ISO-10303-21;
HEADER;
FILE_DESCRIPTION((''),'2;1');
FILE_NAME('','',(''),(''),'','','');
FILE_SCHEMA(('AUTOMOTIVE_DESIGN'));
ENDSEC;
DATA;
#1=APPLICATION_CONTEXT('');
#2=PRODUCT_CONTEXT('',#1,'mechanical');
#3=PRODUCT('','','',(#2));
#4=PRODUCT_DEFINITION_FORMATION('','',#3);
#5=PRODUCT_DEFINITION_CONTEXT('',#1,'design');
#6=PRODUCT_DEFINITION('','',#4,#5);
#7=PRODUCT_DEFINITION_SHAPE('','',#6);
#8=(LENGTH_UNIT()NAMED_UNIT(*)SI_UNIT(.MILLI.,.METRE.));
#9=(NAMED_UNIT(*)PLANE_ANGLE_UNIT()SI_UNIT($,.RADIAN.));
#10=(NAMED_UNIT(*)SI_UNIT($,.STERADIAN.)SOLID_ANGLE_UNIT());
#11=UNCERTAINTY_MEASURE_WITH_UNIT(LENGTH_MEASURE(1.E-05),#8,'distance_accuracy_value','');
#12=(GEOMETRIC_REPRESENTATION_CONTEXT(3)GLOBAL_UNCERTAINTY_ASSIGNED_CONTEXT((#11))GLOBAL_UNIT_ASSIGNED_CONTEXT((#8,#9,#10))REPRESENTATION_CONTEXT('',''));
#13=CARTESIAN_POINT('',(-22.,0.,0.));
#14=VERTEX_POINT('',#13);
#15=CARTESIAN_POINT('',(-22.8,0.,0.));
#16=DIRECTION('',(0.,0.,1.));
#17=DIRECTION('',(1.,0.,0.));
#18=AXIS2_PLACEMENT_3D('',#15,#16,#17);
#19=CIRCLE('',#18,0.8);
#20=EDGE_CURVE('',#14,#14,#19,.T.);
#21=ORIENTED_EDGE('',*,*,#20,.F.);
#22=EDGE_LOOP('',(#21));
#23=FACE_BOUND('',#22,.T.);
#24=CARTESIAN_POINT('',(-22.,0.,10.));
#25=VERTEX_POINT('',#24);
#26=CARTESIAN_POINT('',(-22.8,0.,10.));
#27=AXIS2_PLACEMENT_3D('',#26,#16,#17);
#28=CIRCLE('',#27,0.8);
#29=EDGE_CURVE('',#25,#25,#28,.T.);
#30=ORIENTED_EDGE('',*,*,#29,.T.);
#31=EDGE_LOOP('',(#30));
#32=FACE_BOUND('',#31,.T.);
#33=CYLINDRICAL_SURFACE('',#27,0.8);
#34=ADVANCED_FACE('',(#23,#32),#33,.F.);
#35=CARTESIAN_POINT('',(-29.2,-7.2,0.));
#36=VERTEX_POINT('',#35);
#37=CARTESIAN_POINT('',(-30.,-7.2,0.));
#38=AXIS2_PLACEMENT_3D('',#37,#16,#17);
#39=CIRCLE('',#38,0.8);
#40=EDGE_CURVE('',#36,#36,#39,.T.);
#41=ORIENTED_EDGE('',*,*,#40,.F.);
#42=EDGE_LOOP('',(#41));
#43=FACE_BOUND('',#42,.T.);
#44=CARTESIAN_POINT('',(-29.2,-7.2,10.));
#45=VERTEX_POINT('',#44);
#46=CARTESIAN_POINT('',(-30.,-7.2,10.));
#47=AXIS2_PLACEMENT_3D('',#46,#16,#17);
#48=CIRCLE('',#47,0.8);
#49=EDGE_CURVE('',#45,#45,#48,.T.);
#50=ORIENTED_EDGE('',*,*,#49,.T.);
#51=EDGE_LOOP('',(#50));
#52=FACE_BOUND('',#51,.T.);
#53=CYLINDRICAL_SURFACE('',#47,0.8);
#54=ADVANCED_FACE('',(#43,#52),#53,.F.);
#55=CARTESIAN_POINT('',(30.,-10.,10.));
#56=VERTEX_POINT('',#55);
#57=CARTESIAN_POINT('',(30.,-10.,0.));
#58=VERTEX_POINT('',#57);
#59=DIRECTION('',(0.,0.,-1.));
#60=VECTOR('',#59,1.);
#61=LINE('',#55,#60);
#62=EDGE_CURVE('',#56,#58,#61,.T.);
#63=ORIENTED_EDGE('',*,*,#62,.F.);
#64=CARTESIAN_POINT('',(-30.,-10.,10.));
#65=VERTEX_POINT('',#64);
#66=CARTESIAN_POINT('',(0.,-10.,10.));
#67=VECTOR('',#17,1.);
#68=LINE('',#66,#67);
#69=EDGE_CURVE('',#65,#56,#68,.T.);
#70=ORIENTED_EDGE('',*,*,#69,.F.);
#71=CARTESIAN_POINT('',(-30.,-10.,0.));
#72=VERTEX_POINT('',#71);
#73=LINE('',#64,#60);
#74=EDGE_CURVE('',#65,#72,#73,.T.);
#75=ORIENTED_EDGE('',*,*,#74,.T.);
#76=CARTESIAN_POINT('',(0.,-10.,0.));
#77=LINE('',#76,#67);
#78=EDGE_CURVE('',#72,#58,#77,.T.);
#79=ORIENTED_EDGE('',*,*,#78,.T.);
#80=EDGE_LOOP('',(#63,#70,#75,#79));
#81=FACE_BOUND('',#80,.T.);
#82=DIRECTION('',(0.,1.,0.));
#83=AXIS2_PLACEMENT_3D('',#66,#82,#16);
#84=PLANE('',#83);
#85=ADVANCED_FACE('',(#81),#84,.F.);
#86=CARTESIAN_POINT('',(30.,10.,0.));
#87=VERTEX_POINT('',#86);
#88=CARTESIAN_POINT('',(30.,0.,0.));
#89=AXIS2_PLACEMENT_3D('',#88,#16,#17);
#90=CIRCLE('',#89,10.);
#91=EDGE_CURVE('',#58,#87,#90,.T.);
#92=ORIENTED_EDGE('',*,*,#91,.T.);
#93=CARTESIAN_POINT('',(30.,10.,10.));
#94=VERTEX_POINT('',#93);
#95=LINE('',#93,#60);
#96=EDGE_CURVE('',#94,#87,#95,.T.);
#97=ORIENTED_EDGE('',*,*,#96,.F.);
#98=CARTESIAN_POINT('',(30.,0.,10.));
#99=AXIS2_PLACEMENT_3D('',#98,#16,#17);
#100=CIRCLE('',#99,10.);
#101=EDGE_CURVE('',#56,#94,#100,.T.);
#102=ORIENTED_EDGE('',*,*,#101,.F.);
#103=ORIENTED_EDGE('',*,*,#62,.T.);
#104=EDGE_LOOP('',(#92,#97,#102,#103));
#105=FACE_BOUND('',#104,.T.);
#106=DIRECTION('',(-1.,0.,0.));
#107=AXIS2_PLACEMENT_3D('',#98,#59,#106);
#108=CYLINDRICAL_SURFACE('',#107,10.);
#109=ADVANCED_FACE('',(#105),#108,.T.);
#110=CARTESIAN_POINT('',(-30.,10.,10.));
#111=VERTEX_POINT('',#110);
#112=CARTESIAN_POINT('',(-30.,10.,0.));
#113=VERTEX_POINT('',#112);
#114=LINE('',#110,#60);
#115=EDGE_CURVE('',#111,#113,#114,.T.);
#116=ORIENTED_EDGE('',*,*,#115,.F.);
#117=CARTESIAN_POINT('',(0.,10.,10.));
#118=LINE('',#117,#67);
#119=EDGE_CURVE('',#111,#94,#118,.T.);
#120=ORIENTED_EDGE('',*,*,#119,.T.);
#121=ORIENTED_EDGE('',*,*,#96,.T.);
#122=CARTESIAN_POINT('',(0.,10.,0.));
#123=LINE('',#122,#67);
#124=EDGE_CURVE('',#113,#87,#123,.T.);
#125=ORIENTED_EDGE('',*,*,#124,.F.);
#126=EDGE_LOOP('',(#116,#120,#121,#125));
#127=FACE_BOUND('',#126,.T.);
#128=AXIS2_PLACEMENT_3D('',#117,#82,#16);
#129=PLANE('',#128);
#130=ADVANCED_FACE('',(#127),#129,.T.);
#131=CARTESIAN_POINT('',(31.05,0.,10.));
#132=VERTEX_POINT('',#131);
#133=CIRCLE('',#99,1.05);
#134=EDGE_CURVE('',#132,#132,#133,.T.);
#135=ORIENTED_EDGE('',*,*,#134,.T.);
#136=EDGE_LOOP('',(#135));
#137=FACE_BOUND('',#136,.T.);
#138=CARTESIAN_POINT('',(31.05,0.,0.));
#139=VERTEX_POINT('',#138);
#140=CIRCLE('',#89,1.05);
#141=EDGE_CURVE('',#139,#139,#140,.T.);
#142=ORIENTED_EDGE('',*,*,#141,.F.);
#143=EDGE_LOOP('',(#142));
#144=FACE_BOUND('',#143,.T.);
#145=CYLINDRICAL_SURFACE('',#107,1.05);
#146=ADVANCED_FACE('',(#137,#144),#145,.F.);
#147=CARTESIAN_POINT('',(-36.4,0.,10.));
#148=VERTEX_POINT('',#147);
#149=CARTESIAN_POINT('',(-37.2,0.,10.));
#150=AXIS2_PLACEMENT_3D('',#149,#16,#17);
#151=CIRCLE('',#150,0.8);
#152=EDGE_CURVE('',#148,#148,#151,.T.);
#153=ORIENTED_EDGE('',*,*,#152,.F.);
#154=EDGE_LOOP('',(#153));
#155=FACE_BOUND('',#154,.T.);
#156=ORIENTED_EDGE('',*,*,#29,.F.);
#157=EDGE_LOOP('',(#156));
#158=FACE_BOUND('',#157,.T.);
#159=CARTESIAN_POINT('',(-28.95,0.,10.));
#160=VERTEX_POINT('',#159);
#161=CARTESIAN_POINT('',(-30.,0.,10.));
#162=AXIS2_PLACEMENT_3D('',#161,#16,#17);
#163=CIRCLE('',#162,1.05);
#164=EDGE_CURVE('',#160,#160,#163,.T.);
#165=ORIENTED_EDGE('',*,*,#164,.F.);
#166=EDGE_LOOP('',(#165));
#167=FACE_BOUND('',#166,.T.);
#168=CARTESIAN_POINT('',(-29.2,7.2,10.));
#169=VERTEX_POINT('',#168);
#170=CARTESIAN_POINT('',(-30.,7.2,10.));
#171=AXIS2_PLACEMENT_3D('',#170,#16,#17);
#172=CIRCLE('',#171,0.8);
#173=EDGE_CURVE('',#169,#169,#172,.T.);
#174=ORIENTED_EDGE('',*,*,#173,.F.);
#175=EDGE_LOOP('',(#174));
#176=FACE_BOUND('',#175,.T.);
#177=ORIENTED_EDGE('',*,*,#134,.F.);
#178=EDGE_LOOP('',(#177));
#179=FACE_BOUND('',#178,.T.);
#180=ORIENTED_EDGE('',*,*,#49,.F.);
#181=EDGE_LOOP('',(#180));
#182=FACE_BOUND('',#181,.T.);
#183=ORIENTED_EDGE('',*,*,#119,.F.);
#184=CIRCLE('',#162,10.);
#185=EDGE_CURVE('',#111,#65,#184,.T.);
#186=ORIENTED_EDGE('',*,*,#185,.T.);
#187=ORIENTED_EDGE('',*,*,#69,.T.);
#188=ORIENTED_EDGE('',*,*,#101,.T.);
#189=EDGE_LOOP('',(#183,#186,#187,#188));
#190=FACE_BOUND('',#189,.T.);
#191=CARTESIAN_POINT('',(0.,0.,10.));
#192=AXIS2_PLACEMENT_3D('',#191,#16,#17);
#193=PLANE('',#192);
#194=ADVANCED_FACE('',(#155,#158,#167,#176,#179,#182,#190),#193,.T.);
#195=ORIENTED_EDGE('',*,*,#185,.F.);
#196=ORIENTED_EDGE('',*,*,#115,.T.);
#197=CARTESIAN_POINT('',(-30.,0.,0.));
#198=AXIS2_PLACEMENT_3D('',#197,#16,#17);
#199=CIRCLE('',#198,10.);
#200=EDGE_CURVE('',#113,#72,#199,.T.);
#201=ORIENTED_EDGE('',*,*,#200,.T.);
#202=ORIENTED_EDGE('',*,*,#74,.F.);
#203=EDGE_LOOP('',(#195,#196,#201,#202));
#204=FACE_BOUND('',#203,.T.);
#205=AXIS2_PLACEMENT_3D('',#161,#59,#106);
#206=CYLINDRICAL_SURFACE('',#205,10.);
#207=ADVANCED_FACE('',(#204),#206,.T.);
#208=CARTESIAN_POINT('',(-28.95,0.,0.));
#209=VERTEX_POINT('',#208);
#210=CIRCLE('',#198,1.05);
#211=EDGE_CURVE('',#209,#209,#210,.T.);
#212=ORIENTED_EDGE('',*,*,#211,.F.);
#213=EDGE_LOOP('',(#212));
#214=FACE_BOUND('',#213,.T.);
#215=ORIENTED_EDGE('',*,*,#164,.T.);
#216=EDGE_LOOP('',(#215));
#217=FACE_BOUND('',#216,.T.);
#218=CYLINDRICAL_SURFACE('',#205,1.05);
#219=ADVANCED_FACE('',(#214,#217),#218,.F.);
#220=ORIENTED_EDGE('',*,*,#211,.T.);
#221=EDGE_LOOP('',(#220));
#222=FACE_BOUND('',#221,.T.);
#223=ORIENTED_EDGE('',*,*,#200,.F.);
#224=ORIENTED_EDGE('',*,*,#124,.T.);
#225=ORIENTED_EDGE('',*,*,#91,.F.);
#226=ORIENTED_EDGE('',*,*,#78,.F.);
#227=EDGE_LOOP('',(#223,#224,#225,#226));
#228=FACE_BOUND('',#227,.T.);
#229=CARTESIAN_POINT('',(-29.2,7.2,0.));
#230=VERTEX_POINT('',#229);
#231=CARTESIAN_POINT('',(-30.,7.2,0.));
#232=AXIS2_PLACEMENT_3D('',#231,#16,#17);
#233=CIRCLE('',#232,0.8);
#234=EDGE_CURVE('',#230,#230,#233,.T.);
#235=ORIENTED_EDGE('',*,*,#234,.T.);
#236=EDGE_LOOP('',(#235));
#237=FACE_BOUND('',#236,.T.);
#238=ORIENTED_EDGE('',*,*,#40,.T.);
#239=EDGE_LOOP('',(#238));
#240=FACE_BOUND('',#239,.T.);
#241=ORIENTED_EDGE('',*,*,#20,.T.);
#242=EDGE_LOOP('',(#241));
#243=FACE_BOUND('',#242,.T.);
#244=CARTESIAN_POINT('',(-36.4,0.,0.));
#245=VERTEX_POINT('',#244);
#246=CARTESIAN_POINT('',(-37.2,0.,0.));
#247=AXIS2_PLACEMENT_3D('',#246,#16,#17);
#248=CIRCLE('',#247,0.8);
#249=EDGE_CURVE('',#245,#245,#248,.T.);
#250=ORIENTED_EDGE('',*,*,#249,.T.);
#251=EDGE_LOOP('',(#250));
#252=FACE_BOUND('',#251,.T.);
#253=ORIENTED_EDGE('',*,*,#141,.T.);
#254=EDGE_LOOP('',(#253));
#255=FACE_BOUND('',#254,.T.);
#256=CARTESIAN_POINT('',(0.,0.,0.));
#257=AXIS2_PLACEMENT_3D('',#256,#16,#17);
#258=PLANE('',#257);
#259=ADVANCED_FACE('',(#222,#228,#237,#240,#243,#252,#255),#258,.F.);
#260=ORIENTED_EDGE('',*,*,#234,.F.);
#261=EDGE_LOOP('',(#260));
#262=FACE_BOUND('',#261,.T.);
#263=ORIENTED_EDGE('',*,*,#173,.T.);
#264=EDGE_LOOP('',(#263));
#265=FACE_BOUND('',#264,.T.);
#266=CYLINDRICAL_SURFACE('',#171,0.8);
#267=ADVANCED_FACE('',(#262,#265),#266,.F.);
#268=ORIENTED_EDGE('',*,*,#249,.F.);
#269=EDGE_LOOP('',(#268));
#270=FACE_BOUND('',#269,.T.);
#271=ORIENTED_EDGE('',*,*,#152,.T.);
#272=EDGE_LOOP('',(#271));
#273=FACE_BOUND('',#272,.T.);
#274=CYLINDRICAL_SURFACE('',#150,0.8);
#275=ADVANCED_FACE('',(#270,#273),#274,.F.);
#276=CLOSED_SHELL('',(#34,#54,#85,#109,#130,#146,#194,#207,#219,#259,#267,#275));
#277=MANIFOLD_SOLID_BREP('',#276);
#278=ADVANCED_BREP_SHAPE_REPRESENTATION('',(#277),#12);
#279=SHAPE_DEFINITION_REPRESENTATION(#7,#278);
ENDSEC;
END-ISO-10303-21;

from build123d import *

# Parameters (mm, degrees)
EXTRUDE_1_DEPTH = 10
M2X0_4_1_D      = 1.6
M2X0_4_2_D      = 1.6


with BuildPart() as part:
    # ｽｹｯﾁ2 → ﾎﾞｽ - 押し出し1 (new body)
    with BuildSketch(Plane.XY):
        with BuildLine():
            ThreePointArc((-20, 0), (-22.928932188, 7.071067812), (-30, 10))
            Line((-30, 10), (-30, 1.05))
            ThreePointArc((-30, 1.05), (-29.25753788, 0.74246212), (-28.95, 0))
            ThreePointArc((-28.95, 0), (-29.25753788, -0.74246212), (-30, -1.05))
            Line((-30, -1.05), (-30, -10))
            ThreePointArc((-30, -10), (-22.928932188, -7.071067812), (-20, 0))
        make_face()
        with BuildLine():
            Line((-30, 1.05), (-30, 10))
            ThreePointArc((-30, 10), (-40, 0), (-30, -10))
            Line((-30, -10), (-30, -1.05))
            ThreePointArc((-30, -1.05), (-31.05, 0), (-30, 1.05))
        make_face()
        with BuildLine():
            Line((30, 10), (-30, 10))
            ThreePointArc((-30, 10), (-22.928932188, 7.071067812), (-20, 0))
            ThreePointArc((-20, 0), (-22.928932188, -7.071067812), (-30, -10))
            Line((-30, -10), (30, -10))
            ThreePointArc((30, -10), (20, 0), (30, 10))
        make_face()
        with BuildLine():
            ThreePointArc((40, 0), (37.071067812, 7.071067812), (30, 10))
            Line((30, 10), (30, 1.05))
            ThreePointArc((30, 1.05), (30.74246212, 0.74246212), (31.05, 0))
            ThreePointArc((31.05, 0), (30.74246212, -0.74246212), (30, -1.05))
            Line((30, -1.05), (30, -10))
            ThreePointArc((30, -10), (37.071067812, -7.071067812), (40, 0))
        make_face()
        with BuildLine():
            Line((30, 1.05), (30, 10))
            ThreePointArc((30, 10), (20, 0), (30, -10))
            Line((30, -10), (30, -1.05))
            ThreePointArc((30, -1.05), (28.95, 0), (30, 1.05))
        make_face()
    extrude(amount=EXTRUDE_1_DEPTH)

    # M2x0.4 ねじ穴1 (through all)
    with Locations(Plane.XY.offset(10)):
        with Locations((-30, 7.2), (-37.2, 0), (-30, -7.2)):
            Hole(M2X0_4_1_D / 2)

    # M2x0.4 ねじ穴2 (through all)
    with Locations(Plane.XY.offset(10)):
        with Locations((-22.8, 0)):
            Hole(M2X0_4_2_D / 2)


solid = part.part
